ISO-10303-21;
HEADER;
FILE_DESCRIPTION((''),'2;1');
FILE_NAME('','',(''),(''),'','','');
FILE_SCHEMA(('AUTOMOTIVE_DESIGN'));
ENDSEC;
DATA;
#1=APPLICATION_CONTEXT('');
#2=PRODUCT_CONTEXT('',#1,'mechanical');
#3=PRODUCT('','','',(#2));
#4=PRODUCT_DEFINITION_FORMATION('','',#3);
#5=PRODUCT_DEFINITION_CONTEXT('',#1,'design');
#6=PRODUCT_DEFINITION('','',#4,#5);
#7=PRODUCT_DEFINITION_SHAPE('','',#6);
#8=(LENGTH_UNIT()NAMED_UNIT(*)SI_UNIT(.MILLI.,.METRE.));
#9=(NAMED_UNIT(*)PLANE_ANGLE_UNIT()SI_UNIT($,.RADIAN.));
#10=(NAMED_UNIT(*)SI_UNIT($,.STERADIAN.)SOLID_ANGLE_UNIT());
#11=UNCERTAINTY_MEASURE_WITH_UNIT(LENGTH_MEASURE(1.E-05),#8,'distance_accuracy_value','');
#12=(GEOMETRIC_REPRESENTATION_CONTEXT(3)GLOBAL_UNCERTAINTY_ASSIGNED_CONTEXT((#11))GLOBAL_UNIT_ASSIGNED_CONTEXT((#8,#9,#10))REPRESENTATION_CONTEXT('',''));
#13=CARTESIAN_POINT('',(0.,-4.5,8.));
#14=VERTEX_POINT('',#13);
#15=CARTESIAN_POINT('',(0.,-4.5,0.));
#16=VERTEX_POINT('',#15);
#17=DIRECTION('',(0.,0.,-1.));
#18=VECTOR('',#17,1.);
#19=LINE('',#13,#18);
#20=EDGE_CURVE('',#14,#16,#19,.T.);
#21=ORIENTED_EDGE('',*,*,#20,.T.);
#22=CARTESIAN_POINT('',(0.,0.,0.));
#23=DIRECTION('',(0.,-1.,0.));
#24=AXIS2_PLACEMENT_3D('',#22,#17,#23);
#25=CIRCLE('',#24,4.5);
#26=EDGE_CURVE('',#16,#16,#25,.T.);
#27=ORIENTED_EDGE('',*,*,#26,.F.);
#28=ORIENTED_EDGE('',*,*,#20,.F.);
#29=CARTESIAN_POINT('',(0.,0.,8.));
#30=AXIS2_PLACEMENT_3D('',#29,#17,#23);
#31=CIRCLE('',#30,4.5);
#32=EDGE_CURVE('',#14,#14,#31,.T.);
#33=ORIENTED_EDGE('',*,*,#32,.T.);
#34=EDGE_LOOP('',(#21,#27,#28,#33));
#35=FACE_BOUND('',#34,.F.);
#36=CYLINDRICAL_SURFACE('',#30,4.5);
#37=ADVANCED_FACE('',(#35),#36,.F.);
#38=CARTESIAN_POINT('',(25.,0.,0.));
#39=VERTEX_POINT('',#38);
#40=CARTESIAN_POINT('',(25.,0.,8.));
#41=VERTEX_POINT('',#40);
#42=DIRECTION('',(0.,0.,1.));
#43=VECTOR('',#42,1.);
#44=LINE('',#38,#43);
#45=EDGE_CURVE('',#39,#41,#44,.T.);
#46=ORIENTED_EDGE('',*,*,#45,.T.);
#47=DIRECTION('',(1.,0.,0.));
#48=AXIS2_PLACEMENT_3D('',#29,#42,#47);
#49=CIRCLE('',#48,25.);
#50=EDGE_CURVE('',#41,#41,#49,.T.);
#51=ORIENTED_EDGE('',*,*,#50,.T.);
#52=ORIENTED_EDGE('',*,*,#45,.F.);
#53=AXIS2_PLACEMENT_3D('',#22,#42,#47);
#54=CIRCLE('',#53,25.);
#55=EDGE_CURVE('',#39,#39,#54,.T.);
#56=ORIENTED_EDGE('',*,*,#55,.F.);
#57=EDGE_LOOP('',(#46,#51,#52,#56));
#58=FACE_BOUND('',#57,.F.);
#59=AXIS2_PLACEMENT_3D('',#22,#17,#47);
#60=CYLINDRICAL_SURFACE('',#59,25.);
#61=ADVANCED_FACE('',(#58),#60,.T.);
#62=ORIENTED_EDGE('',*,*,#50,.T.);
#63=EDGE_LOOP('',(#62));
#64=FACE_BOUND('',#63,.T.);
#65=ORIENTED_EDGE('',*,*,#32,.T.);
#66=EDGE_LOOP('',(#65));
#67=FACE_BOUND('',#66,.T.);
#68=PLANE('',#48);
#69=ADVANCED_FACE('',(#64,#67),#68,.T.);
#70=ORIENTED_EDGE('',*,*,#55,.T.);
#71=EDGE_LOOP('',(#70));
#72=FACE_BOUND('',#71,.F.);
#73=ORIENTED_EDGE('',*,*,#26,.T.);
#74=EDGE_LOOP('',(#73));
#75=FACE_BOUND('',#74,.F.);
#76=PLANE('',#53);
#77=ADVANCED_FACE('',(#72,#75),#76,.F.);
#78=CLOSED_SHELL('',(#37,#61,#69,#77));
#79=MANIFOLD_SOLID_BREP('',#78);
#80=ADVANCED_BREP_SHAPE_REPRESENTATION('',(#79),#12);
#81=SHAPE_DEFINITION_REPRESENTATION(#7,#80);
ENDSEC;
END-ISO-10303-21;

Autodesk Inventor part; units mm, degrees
ref_plane "YZ Plane" through (0, 0, 0) normal (1, 0, 0) x (0, 1, 0)
ref_plane "XZ Plane" through (0, 0, 0) normal (0, 1, 0) x (-1, 0, 0)
ref_plane "XY Plane" through (0, 0, 0) normal (0, 0, 1) x (1, 0, 0)
sketch "Sketch1" plane through (0, 0, 0) normal (0, 0, 1) x (1, 0, 0)
  circle A0 centre (0, 0) radius 25
  dimension "d0" = 50
extrude "Extrusion1" add sketch "Sketch1" along normal blind 8
sketch "Sketch2" plane through (0, 0, 8) normal (0, 0, 1) x (1, 0, 0)
  point P0 (0, 0)
  point P1 (0, 0)
hole "Hole1" at (0, 0, 8) direction (0, 0, -1) diameter 9 end through all clearance for "Socket Head Cap Screw" size "M8" standard "Ansi Metric M Profile"
properties part number "Top_Hinge End" material "Stainless Steel"
